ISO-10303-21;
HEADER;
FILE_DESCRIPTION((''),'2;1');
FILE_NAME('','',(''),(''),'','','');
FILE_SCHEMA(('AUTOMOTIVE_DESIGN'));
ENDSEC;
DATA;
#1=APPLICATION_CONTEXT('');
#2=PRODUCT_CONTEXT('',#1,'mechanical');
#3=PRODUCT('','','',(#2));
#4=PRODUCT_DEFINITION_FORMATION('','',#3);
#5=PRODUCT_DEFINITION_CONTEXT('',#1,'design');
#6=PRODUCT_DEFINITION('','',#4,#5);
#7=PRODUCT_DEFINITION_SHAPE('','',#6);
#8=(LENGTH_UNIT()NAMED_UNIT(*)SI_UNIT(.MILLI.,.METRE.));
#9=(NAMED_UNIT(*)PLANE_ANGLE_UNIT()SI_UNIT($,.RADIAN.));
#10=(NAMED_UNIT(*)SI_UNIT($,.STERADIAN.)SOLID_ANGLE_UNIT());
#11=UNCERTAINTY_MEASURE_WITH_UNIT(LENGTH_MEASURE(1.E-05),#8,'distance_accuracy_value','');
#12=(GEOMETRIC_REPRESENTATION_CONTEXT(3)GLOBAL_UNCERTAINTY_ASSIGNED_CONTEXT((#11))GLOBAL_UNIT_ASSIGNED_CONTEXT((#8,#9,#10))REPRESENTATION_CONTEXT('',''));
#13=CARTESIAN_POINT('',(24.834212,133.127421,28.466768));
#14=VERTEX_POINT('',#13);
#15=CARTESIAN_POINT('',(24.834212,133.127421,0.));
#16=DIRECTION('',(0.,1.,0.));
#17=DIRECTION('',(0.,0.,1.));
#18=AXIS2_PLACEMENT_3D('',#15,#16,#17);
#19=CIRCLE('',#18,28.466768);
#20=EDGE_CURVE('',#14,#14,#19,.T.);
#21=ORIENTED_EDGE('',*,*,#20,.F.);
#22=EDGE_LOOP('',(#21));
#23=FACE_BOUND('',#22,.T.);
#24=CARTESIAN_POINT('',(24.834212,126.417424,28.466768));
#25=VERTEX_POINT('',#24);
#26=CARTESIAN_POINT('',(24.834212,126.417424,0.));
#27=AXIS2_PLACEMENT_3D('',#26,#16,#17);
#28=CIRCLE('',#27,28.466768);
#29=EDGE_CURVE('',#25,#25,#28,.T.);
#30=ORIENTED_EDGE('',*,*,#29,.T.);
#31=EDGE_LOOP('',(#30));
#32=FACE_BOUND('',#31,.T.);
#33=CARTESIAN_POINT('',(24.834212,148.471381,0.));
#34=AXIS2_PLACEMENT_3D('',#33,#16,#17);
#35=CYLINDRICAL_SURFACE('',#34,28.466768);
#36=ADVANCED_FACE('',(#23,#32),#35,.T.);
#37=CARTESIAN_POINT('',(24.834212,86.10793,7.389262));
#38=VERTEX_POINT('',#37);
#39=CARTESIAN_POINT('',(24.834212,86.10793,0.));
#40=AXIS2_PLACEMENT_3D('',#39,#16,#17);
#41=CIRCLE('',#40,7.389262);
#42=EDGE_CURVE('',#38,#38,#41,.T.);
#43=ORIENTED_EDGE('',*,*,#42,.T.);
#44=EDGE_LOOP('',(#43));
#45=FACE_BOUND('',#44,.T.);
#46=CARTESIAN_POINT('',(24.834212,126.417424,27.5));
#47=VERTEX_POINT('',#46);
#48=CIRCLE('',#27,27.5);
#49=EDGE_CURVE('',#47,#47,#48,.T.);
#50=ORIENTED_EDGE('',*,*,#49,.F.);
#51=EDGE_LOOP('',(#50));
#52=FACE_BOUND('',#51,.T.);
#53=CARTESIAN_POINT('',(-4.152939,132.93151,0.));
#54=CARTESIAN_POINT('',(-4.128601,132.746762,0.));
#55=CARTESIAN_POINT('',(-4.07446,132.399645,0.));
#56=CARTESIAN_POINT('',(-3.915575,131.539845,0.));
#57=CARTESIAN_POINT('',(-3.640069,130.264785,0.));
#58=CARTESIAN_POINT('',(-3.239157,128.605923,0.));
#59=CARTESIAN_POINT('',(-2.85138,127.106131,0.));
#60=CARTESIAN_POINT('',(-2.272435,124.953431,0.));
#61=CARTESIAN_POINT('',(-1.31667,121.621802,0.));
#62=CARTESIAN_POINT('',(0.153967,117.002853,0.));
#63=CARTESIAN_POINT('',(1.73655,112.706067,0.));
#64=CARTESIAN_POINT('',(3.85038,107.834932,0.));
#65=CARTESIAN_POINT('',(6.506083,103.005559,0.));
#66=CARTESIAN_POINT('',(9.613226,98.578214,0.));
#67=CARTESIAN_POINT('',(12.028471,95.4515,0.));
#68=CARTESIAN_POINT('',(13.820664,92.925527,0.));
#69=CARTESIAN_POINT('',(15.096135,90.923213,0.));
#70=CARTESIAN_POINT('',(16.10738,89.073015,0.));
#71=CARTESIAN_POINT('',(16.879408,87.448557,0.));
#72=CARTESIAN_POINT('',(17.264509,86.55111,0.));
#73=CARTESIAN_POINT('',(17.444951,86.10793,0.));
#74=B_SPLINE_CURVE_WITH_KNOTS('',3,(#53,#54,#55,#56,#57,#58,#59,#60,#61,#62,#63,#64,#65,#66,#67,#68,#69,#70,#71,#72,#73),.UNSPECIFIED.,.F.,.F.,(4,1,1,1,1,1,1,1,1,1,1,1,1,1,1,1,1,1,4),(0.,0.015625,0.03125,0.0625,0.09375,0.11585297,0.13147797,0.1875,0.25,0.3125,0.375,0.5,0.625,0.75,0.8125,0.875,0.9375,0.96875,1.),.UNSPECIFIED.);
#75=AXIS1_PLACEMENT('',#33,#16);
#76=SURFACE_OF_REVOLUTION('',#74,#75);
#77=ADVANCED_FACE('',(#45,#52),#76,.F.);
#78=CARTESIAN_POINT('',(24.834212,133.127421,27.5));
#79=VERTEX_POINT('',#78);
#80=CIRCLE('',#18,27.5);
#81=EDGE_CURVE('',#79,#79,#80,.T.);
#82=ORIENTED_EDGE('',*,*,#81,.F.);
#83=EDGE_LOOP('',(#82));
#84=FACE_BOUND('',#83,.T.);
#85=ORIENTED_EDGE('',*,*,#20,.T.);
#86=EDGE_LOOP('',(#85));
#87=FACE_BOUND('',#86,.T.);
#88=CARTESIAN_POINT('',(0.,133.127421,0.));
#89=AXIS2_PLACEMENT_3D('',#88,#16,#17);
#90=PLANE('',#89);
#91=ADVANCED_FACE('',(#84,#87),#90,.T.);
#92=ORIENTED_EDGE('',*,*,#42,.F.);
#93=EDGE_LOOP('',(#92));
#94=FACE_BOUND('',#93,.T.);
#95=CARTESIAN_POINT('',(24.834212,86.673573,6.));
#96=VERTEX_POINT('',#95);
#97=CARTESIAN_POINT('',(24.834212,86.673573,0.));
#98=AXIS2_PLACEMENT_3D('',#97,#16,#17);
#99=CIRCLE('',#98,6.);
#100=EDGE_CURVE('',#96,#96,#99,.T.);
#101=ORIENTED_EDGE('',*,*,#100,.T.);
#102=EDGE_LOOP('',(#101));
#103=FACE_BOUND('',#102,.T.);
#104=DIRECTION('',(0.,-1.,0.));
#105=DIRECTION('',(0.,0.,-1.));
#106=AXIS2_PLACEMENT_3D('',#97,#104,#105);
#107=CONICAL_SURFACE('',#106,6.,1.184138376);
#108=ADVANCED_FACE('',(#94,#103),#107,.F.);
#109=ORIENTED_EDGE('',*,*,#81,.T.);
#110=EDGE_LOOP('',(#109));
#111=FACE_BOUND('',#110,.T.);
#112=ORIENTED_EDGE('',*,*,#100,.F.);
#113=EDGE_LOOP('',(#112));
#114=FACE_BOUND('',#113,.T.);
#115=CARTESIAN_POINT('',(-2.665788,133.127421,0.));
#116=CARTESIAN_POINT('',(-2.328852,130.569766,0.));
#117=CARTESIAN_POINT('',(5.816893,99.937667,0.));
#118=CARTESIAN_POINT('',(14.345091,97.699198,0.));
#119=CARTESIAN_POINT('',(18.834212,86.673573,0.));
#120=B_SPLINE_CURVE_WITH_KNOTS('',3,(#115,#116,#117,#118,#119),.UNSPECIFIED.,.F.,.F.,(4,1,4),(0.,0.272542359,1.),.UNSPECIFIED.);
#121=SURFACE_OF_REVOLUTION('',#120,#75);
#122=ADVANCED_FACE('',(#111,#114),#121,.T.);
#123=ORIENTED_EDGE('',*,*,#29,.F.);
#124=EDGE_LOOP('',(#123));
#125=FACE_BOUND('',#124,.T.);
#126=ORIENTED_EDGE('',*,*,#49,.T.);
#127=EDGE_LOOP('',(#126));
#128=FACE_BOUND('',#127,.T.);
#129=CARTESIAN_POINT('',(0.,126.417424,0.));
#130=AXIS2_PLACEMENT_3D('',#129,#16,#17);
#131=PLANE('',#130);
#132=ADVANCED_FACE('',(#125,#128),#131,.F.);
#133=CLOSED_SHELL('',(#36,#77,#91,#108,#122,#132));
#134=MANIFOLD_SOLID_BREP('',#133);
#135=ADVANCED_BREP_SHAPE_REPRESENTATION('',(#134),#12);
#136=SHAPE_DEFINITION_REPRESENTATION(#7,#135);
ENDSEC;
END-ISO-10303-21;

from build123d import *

# Parameters (mm, degrees)
SKETCH1_W = 0.966767554
SKETCH1_H = 6.709997481


with BuildPart() as part:
    # Sketch1 → Revolve1 (revolve)
    with BuildSketch(Plane.XY, mode=Mode.PRIVATE) as revolve1_sk:
        with BuildLine():
            add(Edge.make_bspline(
                [(-2.665787536, 133.12742126), (-2.328851696, 130.569766041), (5.81689345, 99.937667048), (14.34509062, 97.69919767), (18.834212464, 86.67357308)],
                knots=[0, 0, 0, 0, 0.272542359, 1, 1, 1, 1], degree=3))
            Line((-2.665787536, 133.12742126), (-2.665787536, 126.417423779))
            add(Edge.make_bspline(
                [(-2.665787536, 126.417423779), (-2.617585568, 126.238220203), (-2.216772597, 124.759402483), (-1.316669698, 121.621801518), (0.153966794, 117.002853191), (1.736550419, 112.70606711), (3.850380041, 107.834931953), (6.5060834, 103.005558511), (9.613225978, 98.578213661), (12.028471384, 95.451499634), (13.820664247, 92.925526713), (15.096134692, 90.923213241), (16.10737966, 89.073014896), (16.879408077, 87.448556614), (17.264508599, 86.551109823), (17.444950713, 86.10793027)],
                knots=[0.12366547, 0.12366547, 0.12366547, 0.12366547, 0.13147797, 0.1875, 0.25, 0.3125, 0.375, 0.5, 0.625, 0.75, 0.8125, 0.875, 0.9375, 0.96875, 1, 1, 1, 1], degree=3))
            Line((17.444950713, 86.10793027), (18.834212464, 86.67357308))
        make_face()
        with Locations((-3.149171313, 129.772422519)):
            Rectangle(SKETCH1_W, SKETCH1_H)
    revolve(revolve1_sk.sketch.rotate(Axis((24.834212464, 148.471380655, 0), (0, -1, 0)), 270), axis=Axis((24.834212464, 148.471380655, 0), (0, -1, 0)))


solid = part.part
